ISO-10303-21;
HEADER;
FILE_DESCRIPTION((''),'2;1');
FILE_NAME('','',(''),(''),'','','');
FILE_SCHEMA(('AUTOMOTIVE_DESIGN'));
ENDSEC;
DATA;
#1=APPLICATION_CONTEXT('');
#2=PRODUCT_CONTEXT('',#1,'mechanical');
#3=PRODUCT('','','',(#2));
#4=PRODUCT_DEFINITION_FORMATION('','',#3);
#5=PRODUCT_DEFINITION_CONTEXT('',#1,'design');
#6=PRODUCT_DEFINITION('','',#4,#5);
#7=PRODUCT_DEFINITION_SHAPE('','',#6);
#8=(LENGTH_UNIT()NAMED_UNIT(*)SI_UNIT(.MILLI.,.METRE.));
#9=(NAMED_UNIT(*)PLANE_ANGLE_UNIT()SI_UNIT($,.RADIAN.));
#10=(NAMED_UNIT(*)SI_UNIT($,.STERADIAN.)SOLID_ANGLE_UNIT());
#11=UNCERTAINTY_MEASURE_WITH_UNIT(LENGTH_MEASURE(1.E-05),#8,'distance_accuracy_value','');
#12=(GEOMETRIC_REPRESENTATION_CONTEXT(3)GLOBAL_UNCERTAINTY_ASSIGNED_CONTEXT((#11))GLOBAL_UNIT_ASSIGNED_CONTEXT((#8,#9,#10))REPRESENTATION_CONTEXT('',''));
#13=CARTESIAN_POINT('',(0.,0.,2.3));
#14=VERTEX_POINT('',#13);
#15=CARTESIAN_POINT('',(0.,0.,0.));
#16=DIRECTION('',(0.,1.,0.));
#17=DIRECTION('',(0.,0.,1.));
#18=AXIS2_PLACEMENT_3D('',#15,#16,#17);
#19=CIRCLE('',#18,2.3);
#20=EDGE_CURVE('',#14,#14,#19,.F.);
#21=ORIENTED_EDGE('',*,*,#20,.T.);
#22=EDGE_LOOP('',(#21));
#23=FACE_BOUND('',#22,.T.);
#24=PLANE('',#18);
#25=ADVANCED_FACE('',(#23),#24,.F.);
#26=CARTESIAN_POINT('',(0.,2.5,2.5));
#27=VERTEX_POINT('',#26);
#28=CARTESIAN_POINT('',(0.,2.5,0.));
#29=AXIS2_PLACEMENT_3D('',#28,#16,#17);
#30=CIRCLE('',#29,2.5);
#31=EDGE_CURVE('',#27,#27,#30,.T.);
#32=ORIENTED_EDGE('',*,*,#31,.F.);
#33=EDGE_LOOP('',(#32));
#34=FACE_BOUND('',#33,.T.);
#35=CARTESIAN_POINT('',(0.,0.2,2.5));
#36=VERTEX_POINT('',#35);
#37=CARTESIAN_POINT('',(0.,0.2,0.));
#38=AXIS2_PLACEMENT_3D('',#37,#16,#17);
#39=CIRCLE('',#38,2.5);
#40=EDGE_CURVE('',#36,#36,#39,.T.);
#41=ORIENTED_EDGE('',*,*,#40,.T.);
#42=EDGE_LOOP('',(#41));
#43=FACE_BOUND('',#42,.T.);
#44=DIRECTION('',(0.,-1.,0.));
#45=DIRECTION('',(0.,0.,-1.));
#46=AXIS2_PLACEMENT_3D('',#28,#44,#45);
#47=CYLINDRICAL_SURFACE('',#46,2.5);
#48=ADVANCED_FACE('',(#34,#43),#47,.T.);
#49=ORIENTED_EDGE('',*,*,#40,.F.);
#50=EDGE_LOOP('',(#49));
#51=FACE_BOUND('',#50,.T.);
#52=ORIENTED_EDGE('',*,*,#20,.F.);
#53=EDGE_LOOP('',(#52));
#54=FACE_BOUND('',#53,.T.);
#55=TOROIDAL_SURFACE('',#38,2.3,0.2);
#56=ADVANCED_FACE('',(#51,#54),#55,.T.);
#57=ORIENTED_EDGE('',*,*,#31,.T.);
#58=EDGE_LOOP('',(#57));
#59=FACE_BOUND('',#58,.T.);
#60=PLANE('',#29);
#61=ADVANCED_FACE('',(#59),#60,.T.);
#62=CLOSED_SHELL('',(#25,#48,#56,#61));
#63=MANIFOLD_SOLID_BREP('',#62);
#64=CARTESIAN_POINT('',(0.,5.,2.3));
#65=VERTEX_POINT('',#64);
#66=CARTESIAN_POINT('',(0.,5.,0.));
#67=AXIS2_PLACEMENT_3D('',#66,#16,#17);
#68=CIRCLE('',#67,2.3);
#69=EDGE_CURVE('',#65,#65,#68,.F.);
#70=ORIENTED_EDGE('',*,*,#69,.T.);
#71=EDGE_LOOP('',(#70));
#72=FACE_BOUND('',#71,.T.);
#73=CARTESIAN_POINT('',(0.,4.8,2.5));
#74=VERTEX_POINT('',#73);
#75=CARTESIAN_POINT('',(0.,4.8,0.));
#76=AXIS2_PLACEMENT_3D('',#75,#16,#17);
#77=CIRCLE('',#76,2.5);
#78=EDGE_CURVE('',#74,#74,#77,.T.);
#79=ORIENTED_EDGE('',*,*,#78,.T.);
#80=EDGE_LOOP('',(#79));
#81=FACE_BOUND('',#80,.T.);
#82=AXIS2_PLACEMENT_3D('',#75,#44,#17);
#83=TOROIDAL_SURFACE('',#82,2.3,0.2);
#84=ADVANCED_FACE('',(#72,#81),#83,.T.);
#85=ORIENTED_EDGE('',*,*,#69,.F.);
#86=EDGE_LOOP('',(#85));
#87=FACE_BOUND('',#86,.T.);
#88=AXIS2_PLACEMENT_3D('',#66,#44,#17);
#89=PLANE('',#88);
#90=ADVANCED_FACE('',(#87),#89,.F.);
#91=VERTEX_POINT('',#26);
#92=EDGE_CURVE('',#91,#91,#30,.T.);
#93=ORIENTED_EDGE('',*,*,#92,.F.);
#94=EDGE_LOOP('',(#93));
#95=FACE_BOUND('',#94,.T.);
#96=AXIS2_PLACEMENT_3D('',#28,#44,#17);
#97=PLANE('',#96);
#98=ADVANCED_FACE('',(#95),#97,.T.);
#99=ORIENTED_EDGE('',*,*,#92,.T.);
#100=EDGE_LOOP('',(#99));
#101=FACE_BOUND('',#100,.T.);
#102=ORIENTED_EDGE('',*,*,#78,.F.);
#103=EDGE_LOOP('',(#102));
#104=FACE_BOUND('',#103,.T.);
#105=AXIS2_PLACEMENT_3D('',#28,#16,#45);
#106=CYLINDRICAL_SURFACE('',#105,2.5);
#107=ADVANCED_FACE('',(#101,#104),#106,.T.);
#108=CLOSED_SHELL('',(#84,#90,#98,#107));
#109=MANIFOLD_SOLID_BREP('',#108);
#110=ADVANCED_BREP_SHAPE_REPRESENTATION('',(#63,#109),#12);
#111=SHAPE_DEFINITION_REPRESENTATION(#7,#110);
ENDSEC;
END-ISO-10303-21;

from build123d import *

# Parameters (mm, degrees)
SKETCH1_R           = 2.5
BOSS_EXTRUDE1_DEPTH = 2.5
FILLET1_R           = 0.2


with BuildPart() as part:
    # Sketch1 → Boss-Extrude1 (new body)
    with BuildSketch(Plane(origin=(0, 0, 0), x_dir=(1, 0, 0), z_dir=(0, 1, 0))):
        with Locations(Location((0, 0, 0), (0, 0, 270))):
            Circle(SKETCH1_R)
    extrude(amount=BOSS_EXTRUDE1_DEPTH)

    # Fillet1
    fillet1_edges = [part.edges().sort_by_distance(p)[0] for p in [
        (0, 0, -2.5),
    ]]
    fillet(fillet1_edges, radius=FILLET1_R)


with BuildPart() as body_2:
    # Mirror1: mirrored copy
    add(part.part.mirror(Plane.ZX.offset(2.5)))


solid = Compound([part.part, body_2.part])
